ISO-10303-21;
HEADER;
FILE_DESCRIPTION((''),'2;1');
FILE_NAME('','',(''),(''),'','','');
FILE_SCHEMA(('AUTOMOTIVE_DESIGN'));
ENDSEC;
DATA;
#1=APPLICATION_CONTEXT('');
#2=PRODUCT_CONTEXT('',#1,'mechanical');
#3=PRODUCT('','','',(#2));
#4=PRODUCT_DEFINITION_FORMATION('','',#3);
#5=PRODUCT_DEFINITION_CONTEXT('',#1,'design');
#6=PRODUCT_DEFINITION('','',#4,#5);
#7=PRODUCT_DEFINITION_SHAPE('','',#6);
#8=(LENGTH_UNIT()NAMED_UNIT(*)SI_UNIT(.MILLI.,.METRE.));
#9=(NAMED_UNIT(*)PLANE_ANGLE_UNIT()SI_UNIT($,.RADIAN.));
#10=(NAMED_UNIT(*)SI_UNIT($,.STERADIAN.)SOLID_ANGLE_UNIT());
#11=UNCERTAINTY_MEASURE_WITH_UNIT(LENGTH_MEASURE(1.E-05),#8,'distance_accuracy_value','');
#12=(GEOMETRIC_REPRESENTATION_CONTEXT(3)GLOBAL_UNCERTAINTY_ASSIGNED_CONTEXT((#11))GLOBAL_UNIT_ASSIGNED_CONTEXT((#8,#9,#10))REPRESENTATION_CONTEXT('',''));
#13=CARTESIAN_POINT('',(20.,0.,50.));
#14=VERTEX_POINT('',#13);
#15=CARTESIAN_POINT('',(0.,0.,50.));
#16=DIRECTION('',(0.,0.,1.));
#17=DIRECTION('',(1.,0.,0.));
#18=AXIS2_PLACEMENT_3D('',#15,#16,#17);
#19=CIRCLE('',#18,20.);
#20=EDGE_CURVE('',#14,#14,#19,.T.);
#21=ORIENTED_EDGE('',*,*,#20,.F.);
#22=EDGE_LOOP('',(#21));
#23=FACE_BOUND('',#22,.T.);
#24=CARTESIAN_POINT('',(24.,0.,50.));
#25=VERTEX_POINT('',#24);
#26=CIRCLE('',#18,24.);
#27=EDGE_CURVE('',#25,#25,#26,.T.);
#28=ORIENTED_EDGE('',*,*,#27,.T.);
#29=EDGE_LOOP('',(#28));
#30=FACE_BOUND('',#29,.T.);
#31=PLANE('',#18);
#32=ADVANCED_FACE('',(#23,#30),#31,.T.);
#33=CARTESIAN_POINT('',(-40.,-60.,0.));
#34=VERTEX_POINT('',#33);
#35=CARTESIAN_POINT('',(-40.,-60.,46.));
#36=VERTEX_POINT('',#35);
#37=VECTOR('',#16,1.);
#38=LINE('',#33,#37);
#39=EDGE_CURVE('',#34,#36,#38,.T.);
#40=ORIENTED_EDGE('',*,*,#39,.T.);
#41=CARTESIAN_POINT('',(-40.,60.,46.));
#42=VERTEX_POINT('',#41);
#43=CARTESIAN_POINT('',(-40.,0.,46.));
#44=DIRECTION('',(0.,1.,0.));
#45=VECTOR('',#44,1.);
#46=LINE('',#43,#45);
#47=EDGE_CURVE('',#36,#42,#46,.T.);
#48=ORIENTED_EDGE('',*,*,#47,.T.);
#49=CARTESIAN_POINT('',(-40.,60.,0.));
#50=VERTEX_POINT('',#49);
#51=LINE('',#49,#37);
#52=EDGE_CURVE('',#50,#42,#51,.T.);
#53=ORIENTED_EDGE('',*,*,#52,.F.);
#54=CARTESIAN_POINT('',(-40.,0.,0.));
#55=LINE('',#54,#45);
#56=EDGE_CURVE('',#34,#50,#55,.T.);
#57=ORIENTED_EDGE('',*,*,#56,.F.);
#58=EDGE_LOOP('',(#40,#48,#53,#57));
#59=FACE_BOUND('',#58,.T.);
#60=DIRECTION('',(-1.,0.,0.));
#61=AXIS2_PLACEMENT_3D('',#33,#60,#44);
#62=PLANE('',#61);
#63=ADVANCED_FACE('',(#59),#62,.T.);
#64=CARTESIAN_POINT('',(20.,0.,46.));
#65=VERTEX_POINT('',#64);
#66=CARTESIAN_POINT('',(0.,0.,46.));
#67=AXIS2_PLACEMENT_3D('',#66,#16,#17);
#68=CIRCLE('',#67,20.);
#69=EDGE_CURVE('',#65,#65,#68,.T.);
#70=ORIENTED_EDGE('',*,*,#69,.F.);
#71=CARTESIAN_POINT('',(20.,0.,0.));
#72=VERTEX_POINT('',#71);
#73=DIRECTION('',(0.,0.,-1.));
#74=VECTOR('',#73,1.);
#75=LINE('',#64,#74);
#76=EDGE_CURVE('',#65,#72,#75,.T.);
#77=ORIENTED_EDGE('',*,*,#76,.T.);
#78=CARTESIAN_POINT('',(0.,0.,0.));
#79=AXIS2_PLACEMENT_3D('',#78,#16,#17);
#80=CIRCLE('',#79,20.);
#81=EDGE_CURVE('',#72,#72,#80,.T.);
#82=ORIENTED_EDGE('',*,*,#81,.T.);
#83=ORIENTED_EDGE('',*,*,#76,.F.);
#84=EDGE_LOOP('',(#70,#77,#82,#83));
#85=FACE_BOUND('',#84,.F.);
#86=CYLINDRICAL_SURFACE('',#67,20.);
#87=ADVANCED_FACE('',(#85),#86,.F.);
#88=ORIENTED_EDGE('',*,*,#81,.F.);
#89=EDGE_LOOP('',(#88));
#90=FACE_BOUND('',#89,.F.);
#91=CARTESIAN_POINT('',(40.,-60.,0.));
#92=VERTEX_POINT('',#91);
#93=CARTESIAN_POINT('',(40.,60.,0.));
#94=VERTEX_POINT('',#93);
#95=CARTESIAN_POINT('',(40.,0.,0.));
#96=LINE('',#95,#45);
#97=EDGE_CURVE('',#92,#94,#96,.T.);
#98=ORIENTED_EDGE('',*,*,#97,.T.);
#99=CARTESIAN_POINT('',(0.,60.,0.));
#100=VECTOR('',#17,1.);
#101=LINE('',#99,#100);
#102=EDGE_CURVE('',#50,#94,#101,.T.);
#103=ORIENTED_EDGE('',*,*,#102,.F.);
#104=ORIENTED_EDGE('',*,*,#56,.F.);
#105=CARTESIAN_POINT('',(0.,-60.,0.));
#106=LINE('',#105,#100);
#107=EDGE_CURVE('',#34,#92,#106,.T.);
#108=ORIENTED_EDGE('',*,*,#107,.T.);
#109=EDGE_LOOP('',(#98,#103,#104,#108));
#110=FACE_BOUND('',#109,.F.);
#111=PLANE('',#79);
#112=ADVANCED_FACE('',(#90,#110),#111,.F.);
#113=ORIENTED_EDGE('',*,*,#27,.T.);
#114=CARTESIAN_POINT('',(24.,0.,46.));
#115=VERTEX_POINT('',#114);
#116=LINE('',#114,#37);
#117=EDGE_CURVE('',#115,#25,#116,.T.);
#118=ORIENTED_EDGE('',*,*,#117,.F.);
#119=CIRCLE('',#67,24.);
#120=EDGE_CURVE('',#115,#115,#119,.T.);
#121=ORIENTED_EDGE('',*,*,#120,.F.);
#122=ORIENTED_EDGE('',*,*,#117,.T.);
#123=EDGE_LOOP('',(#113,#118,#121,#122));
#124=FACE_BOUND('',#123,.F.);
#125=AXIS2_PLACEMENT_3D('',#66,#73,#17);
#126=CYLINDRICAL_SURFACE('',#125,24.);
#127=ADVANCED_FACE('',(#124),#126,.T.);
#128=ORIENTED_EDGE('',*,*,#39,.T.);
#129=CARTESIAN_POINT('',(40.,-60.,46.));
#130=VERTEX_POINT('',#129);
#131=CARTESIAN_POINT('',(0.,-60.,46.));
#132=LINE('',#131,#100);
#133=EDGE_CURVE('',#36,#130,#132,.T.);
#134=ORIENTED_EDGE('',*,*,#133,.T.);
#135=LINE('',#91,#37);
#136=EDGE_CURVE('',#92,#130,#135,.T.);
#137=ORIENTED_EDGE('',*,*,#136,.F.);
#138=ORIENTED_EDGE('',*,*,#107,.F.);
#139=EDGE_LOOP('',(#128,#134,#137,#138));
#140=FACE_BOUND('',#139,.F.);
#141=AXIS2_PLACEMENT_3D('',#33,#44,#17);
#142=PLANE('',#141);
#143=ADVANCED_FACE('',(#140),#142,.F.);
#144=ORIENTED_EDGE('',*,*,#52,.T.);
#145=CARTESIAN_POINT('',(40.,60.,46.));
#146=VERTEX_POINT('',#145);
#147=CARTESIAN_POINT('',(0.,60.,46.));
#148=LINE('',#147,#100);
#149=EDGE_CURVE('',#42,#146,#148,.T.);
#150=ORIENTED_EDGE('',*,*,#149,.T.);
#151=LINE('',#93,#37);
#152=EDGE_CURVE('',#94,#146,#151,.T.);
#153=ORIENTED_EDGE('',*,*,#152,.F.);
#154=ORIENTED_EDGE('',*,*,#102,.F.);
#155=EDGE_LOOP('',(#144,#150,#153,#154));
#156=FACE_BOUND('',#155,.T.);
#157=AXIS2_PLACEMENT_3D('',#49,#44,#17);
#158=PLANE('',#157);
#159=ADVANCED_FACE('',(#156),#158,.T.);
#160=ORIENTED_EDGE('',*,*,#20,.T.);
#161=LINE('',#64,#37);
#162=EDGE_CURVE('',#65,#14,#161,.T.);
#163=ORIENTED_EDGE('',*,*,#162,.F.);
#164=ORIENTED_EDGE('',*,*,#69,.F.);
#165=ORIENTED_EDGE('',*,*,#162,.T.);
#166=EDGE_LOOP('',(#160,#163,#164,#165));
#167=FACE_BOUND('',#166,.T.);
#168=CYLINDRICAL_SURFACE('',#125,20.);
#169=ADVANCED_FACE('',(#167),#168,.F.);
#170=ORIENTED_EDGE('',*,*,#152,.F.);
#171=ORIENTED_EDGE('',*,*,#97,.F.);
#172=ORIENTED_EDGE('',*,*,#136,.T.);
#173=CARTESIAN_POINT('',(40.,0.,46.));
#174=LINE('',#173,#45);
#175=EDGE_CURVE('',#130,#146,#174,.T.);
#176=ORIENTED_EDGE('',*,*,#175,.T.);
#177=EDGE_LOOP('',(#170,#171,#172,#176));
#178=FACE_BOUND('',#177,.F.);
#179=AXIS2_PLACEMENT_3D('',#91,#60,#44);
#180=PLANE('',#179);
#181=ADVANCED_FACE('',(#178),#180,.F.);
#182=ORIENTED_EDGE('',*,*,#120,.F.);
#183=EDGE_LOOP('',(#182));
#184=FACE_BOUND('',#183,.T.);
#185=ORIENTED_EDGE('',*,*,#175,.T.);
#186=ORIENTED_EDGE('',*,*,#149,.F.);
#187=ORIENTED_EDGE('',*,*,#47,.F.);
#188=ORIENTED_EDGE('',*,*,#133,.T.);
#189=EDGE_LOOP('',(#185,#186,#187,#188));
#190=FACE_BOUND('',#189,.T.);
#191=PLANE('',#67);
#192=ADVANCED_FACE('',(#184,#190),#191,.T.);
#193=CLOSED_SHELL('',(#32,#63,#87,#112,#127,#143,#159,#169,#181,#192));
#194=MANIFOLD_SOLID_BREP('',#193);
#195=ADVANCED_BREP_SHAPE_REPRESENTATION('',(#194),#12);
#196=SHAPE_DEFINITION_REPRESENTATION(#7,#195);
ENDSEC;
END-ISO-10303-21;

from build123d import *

# Parameters (mm, degrees)
F0_W     = 80
F0_H     = 120
F1_DEPTH = 46
F2_R     = 20
F3_DEPTH = 65
F2_R_2   = 24
F4_DEPTH = 4


with BuildPart() as f1:
    # F0 (on Top) → F1 (new body)
    with BuildSketch(Plane.XY):
        Rectangle(F0_W, F0_H)
    extrude(amount=F1_DEPTH)

    # F2 (on face) → F3 (cut)
    with BuildSketch(Plane.XY.offset(46)):
        Circle(F2_R)
    extrude(amount=-F3_DEPTH, mode=Mode.SUBTRACT)

    # F2 (on face) → F4 (join)
    with BuildSketch(Plane.XY.offset(46)):
        Circle(F2_R_2)
        Circle(F2_R, mode=Mode.SUBTRACT)
    extrude(amount=F4_DEPTH)


solid = f1.part
